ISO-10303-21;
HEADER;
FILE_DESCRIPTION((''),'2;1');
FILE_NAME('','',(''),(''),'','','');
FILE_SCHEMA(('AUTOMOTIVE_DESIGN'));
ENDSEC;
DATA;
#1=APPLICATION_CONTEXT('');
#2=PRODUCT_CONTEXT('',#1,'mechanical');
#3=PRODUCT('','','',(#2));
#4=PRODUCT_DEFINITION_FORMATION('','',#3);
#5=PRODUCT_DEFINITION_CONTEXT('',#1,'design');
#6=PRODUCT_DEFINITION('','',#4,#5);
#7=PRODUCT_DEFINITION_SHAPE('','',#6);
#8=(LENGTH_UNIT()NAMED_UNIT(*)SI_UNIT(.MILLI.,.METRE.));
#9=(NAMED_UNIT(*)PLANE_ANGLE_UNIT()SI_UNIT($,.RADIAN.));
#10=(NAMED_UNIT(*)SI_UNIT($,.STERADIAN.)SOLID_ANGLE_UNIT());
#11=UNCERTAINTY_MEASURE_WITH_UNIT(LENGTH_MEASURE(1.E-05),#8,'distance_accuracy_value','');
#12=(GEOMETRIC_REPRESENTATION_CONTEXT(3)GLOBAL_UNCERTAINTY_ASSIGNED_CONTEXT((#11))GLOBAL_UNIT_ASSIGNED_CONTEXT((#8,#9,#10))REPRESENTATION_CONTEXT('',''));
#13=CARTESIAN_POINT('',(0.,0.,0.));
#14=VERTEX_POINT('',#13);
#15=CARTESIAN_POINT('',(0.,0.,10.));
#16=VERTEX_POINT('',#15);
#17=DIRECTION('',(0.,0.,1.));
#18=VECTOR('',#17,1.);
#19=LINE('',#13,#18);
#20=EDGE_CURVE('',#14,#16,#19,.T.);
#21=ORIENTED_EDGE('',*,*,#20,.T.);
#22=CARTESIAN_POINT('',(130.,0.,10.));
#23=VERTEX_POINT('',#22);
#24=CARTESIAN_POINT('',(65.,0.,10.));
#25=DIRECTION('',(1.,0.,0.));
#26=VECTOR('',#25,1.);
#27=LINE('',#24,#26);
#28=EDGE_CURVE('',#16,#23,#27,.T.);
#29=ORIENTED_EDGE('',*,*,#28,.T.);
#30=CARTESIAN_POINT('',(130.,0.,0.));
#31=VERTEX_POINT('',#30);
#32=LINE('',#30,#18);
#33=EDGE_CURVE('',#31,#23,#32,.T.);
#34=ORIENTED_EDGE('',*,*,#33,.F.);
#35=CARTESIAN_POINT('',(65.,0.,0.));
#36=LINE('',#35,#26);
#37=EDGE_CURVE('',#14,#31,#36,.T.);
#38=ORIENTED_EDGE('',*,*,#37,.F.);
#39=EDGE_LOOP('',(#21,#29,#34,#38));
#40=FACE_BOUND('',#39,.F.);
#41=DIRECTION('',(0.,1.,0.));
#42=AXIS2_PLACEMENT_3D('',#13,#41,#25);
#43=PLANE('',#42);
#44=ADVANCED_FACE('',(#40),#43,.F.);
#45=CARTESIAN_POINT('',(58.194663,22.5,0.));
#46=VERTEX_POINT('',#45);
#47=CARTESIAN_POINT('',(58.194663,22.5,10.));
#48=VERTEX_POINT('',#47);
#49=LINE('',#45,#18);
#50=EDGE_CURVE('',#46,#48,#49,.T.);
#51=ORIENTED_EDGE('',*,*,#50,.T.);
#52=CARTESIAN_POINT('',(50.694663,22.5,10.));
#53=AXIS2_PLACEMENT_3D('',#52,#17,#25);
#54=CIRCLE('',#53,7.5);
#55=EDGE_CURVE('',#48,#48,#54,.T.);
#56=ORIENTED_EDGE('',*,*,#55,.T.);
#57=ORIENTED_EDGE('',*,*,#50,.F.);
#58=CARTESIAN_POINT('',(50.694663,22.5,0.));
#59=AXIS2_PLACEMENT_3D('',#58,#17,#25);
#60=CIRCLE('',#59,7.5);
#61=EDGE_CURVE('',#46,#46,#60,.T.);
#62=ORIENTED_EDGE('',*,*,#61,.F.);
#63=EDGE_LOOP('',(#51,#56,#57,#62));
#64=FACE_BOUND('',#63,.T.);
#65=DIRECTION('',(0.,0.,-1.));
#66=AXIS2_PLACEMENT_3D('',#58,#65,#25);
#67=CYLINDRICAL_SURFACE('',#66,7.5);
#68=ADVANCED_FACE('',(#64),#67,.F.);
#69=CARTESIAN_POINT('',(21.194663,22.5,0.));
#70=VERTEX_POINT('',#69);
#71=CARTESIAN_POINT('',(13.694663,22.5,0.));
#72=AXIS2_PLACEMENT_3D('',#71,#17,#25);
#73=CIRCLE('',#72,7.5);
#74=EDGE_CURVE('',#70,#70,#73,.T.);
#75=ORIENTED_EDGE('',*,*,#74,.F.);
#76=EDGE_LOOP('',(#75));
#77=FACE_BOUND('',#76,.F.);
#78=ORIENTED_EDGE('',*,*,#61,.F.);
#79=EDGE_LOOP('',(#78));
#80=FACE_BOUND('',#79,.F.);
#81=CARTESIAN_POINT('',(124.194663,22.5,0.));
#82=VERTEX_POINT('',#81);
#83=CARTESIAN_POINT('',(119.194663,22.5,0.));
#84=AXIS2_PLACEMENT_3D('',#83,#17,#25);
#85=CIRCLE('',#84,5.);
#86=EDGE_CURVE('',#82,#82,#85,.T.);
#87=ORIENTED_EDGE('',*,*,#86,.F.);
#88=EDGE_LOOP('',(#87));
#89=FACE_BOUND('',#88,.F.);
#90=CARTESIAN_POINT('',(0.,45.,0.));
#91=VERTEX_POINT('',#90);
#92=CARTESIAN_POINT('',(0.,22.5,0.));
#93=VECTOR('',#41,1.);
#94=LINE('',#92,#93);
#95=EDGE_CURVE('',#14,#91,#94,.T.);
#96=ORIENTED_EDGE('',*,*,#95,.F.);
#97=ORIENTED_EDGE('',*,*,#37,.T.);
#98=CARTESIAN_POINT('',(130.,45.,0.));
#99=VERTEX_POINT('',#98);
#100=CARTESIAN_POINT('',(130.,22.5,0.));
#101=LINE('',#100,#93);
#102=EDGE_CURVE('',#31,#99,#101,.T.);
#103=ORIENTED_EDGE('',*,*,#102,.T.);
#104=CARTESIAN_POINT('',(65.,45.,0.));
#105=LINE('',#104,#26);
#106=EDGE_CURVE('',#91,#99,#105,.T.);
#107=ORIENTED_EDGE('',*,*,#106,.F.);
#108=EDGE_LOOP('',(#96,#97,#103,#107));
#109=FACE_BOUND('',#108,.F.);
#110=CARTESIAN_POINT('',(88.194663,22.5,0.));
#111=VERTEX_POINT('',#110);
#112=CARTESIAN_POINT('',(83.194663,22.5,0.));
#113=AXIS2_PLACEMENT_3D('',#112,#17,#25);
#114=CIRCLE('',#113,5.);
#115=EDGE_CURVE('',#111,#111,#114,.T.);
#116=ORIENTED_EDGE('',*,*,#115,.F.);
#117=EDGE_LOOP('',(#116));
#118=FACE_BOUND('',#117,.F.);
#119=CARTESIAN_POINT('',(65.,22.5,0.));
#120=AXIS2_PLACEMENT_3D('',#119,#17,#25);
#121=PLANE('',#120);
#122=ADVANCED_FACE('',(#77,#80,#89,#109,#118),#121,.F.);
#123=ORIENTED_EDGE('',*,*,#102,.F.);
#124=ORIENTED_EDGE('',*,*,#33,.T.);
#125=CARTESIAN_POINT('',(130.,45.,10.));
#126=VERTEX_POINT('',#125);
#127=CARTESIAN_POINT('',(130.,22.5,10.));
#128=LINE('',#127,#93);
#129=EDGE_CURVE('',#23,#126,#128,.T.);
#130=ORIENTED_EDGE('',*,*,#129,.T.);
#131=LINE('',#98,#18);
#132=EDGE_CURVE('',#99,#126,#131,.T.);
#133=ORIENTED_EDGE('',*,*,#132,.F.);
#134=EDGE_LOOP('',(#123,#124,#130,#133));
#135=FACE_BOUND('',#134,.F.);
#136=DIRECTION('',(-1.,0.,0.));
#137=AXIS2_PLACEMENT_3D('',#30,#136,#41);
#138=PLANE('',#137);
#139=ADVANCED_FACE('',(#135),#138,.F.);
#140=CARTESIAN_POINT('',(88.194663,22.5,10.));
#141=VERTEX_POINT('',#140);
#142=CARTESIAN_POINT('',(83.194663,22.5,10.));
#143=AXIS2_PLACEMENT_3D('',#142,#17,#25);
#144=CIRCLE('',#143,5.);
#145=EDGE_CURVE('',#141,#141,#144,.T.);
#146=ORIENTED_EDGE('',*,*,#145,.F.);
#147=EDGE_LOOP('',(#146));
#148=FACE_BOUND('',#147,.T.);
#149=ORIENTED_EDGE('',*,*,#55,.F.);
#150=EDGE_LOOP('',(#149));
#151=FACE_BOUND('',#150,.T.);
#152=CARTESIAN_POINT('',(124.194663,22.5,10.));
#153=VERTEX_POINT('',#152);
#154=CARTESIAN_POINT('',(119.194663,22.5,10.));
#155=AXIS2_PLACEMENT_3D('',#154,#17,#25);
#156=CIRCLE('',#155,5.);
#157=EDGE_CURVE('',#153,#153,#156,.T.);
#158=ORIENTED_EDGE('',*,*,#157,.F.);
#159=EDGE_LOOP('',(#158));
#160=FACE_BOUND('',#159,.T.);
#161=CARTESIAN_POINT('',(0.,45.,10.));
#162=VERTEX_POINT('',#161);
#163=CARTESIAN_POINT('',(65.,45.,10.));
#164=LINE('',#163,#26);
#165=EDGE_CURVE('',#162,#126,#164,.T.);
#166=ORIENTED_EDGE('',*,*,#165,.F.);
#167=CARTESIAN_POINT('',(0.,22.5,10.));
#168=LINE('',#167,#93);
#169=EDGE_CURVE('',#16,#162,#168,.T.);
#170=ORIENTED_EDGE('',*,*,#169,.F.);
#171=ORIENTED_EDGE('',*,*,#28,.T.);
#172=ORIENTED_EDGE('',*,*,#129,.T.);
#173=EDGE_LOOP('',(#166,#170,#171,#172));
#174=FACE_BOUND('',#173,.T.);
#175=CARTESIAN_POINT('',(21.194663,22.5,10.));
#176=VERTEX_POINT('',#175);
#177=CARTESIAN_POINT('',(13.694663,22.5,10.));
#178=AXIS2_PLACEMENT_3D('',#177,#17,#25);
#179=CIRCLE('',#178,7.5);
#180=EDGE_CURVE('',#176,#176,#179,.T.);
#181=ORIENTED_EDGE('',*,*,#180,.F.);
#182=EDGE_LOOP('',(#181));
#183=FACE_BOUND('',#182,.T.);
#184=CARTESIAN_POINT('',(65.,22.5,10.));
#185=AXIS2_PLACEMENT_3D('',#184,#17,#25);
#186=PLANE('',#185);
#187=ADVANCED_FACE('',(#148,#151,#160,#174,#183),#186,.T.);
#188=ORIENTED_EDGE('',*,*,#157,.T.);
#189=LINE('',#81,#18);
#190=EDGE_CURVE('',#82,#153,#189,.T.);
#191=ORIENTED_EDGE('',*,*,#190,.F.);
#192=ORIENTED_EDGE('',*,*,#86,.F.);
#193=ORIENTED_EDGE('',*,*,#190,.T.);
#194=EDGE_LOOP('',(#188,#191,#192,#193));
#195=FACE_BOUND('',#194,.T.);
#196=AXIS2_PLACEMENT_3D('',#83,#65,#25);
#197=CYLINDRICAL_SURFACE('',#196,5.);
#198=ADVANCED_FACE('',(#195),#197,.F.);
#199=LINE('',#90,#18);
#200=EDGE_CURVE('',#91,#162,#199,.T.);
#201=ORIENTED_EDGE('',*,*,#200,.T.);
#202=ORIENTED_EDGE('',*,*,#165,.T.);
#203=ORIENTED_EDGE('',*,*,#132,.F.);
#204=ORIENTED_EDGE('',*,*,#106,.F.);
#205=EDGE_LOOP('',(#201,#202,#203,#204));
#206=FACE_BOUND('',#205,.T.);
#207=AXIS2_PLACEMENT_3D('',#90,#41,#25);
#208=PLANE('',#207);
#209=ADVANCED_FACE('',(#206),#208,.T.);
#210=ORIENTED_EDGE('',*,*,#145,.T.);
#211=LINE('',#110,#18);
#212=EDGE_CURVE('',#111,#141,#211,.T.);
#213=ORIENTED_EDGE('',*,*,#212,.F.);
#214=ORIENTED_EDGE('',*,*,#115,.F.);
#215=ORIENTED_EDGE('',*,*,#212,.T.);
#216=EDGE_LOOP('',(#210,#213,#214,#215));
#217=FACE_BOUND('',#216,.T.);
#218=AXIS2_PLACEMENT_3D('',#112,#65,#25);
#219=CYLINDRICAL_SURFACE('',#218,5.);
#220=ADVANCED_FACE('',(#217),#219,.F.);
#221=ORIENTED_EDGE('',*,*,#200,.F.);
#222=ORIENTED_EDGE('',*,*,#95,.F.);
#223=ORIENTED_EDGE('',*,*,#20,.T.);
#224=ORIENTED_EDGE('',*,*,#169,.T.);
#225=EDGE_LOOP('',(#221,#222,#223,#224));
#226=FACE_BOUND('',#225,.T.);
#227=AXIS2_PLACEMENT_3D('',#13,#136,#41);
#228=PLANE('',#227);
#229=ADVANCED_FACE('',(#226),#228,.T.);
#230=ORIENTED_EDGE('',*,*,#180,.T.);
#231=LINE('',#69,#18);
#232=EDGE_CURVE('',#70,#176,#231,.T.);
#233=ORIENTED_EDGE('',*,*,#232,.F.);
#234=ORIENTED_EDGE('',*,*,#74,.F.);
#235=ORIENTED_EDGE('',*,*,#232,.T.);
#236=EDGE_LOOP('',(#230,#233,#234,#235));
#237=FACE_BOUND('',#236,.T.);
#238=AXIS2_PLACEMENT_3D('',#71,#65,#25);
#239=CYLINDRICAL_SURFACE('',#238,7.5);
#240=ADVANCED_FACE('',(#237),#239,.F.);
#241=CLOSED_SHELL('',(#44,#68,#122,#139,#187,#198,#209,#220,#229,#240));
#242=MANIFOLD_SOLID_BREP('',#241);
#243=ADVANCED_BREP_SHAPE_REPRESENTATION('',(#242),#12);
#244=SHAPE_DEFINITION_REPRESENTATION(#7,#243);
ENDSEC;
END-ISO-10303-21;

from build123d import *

# Parameters (mm, degrees)
SKETCH_W   = 130
SKETCH_H   = 45
SKETCH_R   = 7.5
SKETCH_R_2 = 5
PAD_DEPTH  = 10


with BuildPart() as part:
    # Sketch → Pad (new body)
    with BuildSketch(Plane.XY):
        with Locations((65, 22.5)):
            Rectangle(SKETCH_W, SKETCH_H)
        with Locations((13.694663, 22.5)):
            Circle(SKETCH_R, mode=Mode.SUBTRACT)
        with Locations((50.694663, 22.5)):
            Circle(SKETCH_R, mode=Mode.SUBTRACT)
        with Locations((83.194663, 22.5)):
            Circle(SKETCH_R_2, mode=Mode.SUBTRACT)
        with Locations((119.194663, 22.5)):
            Circle(SKETCH_R_2, mode=Mode.SUBTRACT)
    extrude(amount=PAD_DEPTH)


solid = part.part
